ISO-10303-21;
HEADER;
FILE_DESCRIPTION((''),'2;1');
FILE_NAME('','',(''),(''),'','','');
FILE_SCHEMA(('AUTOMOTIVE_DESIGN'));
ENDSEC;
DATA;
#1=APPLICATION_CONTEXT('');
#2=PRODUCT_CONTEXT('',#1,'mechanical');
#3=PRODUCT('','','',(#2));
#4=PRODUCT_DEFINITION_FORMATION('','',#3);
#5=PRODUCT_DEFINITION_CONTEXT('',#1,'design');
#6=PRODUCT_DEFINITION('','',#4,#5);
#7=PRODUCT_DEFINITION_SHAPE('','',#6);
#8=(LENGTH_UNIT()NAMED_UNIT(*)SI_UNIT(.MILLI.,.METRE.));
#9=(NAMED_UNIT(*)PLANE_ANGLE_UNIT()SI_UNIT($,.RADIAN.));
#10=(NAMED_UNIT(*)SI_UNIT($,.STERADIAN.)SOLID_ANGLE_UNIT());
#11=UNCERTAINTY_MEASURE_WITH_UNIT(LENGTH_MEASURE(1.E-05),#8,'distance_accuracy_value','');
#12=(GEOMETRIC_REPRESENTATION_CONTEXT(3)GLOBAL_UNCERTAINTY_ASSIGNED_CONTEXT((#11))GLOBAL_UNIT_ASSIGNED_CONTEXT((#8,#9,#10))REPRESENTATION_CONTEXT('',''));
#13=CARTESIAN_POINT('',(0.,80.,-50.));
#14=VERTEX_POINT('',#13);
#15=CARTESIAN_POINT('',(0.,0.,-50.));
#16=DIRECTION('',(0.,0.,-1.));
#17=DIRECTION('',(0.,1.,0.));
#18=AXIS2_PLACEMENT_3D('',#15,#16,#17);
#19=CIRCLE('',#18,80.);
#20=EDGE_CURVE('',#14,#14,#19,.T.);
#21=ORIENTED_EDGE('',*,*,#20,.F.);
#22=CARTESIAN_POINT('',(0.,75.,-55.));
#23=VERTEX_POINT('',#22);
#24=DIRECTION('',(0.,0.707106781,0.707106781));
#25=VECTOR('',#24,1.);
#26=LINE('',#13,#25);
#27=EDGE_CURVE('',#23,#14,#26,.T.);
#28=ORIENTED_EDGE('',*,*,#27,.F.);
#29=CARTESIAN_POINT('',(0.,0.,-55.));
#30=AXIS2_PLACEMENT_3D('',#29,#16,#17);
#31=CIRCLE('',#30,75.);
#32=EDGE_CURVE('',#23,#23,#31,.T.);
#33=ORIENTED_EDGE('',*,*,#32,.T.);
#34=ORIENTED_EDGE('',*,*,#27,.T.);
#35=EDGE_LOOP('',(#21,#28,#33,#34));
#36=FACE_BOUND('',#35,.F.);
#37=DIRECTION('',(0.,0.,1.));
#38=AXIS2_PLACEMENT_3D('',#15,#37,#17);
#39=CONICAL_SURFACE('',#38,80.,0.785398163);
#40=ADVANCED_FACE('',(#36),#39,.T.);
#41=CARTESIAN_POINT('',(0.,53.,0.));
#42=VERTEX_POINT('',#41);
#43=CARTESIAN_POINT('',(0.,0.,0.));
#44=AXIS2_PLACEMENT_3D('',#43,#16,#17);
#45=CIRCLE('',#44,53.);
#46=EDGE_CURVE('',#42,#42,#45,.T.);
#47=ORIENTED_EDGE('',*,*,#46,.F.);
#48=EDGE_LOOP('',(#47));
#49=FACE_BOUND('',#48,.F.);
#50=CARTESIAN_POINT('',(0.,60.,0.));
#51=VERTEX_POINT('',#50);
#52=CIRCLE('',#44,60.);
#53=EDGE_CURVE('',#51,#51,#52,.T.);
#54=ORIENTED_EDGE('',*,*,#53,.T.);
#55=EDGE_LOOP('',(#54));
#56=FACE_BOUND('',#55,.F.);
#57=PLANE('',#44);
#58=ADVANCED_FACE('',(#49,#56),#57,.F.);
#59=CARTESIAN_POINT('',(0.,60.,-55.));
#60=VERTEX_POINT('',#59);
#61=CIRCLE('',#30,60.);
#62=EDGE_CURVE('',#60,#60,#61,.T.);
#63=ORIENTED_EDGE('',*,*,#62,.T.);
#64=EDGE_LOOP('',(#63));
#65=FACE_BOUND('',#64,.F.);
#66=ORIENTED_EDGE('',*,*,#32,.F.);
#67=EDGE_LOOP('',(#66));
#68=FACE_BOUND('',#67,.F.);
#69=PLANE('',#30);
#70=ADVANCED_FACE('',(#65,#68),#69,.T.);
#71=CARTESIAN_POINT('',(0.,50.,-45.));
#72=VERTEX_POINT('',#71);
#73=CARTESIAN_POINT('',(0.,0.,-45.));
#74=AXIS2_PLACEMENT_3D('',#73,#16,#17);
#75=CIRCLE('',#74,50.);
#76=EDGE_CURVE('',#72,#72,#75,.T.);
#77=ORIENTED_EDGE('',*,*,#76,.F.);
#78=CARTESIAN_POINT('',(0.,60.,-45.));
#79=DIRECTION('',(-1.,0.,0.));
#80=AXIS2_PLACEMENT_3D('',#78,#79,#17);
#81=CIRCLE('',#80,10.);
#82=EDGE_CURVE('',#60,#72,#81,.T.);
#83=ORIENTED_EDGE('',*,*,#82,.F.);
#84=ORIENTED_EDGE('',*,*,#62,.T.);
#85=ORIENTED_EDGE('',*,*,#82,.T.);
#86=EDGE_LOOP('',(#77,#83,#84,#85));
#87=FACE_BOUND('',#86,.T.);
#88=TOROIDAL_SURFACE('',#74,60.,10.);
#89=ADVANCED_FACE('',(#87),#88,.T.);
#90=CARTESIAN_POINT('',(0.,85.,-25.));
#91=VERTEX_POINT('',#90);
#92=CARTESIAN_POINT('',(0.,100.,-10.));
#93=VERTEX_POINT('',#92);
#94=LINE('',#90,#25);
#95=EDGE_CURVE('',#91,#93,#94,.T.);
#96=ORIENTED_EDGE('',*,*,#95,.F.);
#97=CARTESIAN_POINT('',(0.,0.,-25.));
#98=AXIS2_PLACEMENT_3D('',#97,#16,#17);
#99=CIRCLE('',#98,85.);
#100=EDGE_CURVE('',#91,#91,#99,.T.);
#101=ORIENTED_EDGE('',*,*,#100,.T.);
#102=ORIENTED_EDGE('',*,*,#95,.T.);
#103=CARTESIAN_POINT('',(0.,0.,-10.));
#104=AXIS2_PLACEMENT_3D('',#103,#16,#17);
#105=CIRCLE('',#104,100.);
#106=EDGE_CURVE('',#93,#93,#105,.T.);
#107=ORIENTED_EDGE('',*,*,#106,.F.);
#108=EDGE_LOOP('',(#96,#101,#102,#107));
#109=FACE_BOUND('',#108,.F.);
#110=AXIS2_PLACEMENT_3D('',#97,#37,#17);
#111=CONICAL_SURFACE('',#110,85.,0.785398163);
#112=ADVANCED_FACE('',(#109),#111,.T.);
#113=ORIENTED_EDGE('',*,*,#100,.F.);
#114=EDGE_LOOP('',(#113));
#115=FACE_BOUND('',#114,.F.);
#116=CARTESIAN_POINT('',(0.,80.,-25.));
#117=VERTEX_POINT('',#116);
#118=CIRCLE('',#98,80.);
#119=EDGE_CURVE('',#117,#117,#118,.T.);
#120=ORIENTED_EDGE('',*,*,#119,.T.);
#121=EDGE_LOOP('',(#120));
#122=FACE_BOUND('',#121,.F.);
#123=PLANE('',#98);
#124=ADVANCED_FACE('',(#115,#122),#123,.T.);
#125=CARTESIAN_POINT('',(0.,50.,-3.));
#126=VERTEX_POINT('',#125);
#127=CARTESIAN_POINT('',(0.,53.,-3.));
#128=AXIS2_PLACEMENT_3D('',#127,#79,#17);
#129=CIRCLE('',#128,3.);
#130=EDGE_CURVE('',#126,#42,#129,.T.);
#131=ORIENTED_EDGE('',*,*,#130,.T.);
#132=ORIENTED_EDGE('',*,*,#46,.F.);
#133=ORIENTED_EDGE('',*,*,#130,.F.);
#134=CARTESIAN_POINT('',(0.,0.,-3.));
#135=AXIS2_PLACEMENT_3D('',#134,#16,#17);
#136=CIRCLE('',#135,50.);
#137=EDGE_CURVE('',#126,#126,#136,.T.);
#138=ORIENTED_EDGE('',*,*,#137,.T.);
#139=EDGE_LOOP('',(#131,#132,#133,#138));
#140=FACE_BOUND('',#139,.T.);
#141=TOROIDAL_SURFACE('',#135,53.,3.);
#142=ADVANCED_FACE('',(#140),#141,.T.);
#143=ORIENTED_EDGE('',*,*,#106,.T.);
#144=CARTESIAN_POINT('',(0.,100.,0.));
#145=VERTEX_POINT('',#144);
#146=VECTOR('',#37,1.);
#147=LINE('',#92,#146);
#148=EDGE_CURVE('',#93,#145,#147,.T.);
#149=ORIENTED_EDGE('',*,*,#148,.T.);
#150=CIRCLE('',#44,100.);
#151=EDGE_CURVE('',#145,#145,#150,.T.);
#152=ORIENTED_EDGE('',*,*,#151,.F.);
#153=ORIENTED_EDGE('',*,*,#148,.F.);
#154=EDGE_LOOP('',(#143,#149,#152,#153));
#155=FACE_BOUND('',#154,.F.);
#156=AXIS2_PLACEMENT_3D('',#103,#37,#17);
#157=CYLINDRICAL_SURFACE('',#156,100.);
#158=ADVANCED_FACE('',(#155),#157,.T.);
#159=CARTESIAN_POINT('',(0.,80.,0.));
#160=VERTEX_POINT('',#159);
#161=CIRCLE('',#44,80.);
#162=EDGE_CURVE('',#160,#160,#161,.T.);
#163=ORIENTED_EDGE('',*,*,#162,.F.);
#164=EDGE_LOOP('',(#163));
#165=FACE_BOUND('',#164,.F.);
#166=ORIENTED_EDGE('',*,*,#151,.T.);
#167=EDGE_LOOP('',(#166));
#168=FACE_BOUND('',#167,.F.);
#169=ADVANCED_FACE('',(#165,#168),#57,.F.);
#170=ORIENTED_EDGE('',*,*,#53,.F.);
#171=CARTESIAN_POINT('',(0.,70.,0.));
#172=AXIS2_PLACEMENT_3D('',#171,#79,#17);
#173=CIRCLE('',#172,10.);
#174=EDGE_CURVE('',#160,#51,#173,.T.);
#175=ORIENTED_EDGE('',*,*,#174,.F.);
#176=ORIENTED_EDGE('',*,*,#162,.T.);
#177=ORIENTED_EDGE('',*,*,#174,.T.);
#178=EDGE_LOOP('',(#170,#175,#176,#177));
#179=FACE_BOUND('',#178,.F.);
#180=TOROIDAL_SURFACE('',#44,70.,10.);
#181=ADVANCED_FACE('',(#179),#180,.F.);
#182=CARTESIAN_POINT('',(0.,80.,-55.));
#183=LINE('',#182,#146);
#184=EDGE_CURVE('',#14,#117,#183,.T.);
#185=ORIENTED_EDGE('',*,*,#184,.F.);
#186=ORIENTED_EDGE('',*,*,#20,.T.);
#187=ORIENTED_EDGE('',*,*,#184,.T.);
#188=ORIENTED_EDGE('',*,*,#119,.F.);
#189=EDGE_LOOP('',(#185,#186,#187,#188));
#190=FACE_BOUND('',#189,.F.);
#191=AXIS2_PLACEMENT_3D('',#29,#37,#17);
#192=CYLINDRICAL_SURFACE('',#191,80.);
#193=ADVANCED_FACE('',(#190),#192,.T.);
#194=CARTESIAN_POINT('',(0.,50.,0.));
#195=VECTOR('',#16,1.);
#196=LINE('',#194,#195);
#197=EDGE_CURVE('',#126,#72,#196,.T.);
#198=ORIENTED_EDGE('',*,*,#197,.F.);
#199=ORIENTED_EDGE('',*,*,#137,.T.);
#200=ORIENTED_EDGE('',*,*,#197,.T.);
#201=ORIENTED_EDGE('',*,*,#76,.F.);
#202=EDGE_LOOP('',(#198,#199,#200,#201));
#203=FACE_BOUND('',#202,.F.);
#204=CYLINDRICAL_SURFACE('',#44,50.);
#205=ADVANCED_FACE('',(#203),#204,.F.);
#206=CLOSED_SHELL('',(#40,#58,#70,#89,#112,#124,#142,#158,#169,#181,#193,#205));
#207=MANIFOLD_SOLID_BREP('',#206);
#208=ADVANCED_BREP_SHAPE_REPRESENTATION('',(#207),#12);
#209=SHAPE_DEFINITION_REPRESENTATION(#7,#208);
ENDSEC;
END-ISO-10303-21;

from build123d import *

# Parameters (mm, degrees)
F2_SIZE = 5
F3_R    = 10
F4_R    = 3


with BuildPart() as f1:
    # F0 (on Right) → F1 (revolve)
    with BuildSketch(Plane.YZ):
        with BuildLine():
            Line((60, 0), (50, 0))
            Line((50, 0), (50, -55))
            Line((50, -55), (80, -55))
            Line((80, -55), (80, -25))
            Line((80, -25), (85, -25))
            Line((85, -25), (100, -10))
            Line((100, -10), (100, 0))
            Line((100, 0), (80, 0))
            ThreePointArc((80, 0), (70, -10), (60, 0))
        make_face()
    revolve(axis=Axis((0, 0, -46.653546), (0, 0, -1)))

    # F2
    f2_edges = [f1.edges().sort_by_distance(p)[0] for p in [
        (0, -80, -55),
    ]]
    chamfer(f2_edges, length=F2_SIZE)

    # F3
    f3_edges = [f1.edges().sort_by_distance(p)[0] for p in [
        (0, -50, -55),
    ]]
    fillet(f3_edges, radius=F3_R)

    # F4
    f4_edges = [f1.edges().sort_by_distance(p)[0] for p in [
        (0, -50, 0),
    ]]
    fillet(f4_edges, radius=F4_R)


solid = f1.part
